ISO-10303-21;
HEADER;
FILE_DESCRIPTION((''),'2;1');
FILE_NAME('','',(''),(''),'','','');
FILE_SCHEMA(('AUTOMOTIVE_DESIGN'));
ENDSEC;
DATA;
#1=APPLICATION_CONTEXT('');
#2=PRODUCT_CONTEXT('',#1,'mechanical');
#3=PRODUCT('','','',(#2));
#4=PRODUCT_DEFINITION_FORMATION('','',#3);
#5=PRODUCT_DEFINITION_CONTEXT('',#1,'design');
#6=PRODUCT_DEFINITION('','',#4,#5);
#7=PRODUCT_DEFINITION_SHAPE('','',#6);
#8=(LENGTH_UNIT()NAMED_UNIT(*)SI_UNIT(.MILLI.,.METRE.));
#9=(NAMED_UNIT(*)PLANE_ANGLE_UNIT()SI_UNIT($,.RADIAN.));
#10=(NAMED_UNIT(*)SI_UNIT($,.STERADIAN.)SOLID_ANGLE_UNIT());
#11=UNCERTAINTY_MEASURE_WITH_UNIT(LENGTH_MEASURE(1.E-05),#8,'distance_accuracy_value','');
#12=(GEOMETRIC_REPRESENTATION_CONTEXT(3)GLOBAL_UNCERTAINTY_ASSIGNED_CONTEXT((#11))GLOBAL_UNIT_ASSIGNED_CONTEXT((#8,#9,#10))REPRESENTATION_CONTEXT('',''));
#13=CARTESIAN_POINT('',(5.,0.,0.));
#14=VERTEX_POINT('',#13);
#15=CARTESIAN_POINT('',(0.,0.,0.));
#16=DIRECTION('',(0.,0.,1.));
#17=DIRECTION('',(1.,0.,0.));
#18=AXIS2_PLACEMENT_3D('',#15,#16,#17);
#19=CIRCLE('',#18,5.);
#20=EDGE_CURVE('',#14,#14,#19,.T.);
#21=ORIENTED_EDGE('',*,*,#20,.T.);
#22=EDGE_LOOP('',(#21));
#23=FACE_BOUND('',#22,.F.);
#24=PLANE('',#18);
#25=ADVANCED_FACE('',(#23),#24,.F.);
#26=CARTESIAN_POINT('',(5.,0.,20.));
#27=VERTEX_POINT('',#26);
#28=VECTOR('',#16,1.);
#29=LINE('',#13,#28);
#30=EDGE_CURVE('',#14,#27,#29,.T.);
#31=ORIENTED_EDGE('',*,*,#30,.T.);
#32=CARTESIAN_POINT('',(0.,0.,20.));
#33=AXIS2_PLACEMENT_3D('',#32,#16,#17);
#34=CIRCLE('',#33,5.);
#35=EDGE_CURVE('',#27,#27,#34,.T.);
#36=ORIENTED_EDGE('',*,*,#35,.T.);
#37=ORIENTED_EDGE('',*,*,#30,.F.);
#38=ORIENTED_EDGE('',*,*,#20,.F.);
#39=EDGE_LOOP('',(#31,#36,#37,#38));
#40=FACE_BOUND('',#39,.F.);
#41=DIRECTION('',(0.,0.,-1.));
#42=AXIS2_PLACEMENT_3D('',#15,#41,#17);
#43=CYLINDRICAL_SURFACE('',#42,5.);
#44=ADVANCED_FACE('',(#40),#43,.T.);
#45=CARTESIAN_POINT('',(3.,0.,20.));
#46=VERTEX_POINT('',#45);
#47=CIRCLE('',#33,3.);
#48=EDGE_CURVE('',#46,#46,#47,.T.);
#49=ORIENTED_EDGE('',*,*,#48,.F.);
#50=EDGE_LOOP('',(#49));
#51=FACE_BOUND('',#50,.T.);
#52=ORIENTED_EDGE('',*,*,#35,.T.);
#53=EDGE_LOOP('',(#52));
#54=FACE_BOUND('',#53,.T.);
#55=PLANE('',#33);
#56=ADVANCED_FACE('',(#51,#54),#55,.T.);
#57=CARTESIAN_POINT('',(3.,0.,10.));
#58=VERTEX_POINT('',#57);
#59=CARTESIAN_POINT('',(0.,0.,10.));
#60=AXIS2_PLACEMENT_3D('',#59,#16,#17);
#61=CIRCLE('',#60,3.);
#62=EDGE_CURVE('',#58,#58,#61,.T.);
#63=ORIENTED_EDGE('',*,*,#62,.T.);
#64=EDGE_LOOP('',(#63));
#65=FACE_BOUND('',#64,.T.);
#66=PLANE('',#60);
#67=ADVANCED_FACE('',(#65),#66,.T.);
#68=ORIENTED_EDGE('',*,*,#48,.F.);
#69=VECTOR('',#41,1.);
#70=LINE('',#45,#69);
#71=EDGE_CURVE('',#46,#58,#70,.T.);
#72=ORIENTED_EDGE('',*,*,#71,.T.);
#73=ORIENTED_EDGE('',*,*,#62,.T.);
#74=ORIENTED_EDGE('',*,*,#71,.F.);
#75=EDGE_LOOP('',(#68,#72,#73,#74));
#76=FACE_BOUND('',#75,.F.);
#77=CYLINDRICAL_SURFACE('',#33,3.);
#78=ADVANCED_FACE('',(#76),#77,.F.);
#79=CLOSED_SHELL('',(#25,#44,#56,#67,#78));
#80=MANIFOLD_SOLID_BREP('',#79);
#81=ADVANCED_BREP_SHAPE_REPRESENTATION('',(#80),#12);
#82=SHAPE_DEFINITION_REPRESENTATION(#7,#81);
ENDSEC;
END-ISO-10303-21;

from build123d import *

# Parameters (mm, degrees)
F0_R     = 5
F1_DEPTH = 20
F2_R     = 3
F3_DEPTH = 10
F4_DEPTH = 10


with BuildPart() as f1:
    # F0 (on Top) → F1 (new body)
    with BuildSketch(Plane.XY):
        Circle(F0_R)
    extrude(amount=F1_DEPTH)

    # F2 (on face) → F3 (cut)
    with BuildSketch(Plane.XY.offset(20)):
        Circle(F2_R)
    extrude(amount=F3_DEPTH, mode=Mode.SUBTRACT)

    # F2 (on face) → F4 (cut)
    with BuildSketch(Plane.XY.offset(20)):
        Circle(F2_R)
    extrude(amount=-F4_DEPTH, mode=Mode.SUBTRACT)


solid = f1.part
